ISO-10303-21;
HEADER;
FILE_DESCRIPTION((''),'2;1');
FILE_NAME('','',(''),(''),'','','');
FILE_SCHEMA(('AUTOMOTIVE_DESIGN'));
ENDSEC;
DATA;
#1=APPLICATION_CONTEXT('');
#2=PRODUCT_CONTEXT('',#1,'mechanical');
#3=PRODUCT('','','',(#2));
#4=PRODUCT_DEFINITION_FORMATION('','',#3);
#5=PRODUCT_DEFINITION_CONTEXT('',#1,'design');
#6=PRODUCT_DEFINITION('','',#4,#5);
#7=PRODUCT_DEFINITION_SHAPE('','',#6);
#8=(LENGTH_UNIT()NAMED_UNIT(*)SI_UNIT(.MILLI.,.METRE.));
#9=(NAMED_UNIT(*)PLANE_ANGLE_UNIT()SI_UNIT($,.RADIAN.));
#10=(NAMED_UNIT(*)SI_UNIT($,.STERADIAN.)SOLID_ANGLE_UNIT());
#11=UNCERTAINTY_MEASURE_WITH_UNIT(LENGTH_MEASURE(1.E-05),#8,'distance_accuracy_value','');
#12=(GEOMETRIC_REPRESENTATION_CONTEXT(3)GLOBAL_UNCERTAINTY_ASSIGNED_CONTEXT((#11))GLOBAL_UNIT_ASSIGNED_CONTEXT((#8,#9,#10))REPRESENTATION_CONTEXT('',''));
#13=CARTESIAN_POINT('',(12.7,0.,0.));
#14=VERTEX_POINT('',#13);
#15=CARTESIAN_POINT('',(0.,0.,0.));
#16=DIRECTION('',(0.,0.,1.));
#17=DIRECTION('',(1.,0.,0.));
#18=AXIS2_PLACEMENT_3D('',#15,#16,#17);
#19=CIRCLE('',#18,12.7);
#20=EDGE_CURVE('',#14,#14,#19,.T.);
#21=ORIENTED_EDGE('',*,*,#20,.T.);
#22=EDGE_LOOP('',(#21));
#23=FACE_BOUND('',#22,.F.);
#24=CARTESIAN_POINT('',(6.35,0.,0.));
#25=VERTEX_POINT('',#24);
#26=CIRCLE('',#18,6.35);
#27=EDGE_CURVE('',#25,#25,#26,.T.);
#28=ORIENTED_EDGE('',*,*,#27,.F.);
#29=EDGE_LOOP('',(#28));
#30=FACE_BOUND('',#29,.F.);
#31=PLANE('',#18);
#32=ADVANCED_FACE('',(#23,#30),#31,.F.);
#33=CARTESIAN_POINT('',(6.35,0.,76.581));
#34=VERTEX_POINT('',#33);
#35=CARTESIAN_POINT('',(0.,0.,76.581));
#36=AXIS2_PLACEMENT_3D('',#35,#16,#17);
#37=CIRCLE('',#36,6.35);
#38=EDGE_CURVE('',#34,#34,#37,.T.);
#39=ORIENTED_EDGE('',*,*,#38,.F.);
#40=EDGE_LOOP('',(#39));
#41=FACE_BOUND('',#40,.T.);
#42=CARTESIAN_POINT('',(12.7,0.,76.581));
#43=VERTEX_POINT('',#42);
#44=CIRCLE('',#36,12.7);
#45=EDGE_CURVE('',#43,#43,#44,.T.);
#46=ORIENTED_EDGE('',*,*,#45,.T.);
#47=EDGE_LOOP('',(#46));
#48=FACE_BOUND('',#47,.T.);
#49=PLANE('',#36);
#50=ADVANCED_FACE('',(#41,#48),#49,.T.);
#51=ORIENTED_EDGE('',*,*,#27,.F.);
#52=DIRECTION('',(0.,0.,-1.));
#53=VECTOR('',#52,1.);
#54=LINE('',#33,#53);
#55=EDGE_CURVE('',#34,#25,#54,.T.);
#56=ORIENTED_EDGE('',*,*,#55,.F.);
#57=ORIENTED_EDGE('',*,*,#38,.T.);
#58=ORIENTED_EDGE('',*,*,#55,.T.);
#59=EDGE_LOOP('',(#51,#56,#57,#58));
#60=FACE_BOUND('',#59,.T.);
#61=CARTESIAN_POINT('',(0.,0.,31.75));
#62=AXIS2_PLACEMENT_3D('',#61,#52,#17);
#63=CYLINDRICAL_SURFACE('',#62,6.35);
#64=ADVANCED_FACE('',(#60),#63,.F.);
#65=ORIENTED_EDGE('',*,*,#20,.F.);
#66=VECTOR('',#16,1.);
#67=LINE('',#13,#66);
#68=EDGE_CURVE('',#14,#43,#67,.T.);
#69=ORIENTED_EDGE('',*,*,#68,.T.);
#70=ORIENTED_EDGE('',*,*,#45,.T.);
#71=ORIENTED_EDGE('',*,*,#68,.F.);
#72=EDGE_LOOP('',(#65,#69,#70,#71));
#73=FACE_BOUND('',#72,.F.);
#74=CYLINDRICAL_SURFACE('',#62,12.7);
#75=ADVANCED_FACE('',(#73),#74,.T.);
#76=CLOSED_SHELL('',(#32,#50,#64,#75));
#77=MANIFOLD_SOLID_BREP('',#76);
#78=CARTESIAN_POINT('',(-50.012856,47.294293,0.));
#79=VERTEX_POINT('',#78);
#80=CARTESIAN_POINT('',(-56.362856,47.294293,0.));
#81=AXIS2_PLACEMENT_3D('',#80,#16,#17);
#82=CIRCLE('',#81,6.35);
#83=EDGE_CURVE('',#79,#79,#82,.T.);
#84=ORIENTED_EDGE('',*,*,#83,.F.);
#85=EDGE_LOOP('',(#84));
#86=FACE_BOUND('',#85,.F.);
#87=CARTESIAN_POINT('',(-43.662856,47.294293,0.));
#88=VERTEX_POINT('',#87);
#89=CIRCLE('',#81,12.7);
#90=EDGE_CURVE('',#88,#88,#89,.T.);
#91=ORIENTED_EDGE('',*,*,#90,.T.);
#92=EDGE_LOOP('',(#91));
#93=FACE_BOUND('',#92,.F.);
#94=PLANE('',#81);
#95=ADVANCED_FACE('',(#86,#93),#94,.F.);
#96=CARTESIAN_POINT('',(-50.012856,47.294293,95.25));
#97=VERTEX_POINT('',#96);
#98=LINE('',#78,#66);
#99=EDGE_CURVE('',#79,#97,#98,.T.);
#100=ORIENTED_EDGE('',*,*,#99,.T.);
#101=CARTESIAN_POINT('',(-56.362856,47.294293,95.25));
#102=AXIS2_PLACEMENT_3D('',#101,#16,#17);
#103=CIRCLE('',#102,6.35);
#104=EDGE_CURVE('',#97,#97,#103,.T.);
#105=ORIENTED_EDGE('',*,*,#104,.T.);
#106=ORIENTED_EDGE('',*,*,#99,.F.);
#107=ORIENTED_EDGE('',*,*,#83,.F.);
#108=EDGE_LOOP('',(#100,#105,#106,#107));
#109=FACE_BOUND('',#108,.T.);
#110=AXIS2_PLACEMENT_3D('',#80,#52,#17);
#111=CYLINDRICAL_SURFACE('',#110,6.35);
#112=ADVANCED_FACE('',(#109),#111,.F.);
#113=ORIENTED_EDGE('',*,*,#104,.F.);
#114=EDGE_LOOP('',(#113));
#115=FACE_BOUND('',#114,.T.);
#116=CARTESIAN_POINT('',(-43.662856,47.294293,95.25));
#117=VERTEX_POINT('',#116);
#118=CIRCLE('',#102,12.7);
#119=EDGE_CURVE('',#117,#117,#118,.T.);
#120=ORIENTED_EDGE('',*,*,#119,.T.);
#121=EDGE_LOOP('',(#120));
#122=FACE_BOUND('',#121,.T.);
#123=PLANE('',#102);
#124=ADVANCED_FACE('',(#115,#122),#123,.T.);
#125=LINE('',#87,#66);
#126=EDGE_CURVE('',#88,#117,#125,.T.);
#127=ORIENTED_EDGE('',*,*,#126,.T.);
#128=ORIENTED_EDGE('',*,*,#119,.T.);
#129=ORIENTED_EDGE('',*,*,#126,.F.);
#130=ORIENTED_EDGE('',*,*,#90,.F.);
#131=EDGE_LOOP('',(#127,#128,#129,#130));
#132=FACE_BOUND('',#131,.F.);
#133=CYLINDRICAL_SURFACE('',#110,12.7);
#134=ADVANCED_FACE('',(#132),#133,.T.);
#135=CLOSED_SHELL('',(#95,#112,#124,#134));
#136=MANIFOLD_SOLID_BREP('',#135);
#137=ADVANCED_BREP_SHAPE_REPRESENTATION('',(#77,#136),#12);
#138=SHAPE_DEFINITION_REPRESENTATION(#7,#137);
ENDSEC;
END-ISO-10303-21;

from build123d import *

# Parameters (mm, degrees)
F0_R        = 12.7
F0_R_2      = 6.35
F1_DEPTH    = 95.25
F2_DEPTH    = 31.75
F2_FACE_R   = 12.7
F2_FACE_R_2 = 6.35
F3_DEPTH    = 44.831


with BuildPart() as f1:
    # F0 (on Top) → F1 (new body)
    with BuildSketch(Plane.XY):
        with Locations((-56.362856, 47.294293)):
            Circle(F0_R)
        with Locations((-56.362856, 47.294293)):
            Circle(F0_R_2, mode=Mode.SUBTRACT)
    extrude(amount=F1_DEPTH)


with BuildPart() as f2:
    # F0 (on Top) → F2 (new body)
    with BuildSketch(Plane.XY):
        Circle(F0_R)
        Circle(F0_R_2, mode=Mode.SUBTRACT)
    extrude(amount=F2_DEPTH)

    # F2_face (on face) → F3 (join)
    with BuildSketch(Plane.XY.offset(31.75)):
        Circle(F2_FACE_R)
        Circle(F2_FACE_R_2, mode=Mode.SUBTRACT)
    extrude(amount=F3_DEPTH)


solid = Compound([f1.part, f2.part])
